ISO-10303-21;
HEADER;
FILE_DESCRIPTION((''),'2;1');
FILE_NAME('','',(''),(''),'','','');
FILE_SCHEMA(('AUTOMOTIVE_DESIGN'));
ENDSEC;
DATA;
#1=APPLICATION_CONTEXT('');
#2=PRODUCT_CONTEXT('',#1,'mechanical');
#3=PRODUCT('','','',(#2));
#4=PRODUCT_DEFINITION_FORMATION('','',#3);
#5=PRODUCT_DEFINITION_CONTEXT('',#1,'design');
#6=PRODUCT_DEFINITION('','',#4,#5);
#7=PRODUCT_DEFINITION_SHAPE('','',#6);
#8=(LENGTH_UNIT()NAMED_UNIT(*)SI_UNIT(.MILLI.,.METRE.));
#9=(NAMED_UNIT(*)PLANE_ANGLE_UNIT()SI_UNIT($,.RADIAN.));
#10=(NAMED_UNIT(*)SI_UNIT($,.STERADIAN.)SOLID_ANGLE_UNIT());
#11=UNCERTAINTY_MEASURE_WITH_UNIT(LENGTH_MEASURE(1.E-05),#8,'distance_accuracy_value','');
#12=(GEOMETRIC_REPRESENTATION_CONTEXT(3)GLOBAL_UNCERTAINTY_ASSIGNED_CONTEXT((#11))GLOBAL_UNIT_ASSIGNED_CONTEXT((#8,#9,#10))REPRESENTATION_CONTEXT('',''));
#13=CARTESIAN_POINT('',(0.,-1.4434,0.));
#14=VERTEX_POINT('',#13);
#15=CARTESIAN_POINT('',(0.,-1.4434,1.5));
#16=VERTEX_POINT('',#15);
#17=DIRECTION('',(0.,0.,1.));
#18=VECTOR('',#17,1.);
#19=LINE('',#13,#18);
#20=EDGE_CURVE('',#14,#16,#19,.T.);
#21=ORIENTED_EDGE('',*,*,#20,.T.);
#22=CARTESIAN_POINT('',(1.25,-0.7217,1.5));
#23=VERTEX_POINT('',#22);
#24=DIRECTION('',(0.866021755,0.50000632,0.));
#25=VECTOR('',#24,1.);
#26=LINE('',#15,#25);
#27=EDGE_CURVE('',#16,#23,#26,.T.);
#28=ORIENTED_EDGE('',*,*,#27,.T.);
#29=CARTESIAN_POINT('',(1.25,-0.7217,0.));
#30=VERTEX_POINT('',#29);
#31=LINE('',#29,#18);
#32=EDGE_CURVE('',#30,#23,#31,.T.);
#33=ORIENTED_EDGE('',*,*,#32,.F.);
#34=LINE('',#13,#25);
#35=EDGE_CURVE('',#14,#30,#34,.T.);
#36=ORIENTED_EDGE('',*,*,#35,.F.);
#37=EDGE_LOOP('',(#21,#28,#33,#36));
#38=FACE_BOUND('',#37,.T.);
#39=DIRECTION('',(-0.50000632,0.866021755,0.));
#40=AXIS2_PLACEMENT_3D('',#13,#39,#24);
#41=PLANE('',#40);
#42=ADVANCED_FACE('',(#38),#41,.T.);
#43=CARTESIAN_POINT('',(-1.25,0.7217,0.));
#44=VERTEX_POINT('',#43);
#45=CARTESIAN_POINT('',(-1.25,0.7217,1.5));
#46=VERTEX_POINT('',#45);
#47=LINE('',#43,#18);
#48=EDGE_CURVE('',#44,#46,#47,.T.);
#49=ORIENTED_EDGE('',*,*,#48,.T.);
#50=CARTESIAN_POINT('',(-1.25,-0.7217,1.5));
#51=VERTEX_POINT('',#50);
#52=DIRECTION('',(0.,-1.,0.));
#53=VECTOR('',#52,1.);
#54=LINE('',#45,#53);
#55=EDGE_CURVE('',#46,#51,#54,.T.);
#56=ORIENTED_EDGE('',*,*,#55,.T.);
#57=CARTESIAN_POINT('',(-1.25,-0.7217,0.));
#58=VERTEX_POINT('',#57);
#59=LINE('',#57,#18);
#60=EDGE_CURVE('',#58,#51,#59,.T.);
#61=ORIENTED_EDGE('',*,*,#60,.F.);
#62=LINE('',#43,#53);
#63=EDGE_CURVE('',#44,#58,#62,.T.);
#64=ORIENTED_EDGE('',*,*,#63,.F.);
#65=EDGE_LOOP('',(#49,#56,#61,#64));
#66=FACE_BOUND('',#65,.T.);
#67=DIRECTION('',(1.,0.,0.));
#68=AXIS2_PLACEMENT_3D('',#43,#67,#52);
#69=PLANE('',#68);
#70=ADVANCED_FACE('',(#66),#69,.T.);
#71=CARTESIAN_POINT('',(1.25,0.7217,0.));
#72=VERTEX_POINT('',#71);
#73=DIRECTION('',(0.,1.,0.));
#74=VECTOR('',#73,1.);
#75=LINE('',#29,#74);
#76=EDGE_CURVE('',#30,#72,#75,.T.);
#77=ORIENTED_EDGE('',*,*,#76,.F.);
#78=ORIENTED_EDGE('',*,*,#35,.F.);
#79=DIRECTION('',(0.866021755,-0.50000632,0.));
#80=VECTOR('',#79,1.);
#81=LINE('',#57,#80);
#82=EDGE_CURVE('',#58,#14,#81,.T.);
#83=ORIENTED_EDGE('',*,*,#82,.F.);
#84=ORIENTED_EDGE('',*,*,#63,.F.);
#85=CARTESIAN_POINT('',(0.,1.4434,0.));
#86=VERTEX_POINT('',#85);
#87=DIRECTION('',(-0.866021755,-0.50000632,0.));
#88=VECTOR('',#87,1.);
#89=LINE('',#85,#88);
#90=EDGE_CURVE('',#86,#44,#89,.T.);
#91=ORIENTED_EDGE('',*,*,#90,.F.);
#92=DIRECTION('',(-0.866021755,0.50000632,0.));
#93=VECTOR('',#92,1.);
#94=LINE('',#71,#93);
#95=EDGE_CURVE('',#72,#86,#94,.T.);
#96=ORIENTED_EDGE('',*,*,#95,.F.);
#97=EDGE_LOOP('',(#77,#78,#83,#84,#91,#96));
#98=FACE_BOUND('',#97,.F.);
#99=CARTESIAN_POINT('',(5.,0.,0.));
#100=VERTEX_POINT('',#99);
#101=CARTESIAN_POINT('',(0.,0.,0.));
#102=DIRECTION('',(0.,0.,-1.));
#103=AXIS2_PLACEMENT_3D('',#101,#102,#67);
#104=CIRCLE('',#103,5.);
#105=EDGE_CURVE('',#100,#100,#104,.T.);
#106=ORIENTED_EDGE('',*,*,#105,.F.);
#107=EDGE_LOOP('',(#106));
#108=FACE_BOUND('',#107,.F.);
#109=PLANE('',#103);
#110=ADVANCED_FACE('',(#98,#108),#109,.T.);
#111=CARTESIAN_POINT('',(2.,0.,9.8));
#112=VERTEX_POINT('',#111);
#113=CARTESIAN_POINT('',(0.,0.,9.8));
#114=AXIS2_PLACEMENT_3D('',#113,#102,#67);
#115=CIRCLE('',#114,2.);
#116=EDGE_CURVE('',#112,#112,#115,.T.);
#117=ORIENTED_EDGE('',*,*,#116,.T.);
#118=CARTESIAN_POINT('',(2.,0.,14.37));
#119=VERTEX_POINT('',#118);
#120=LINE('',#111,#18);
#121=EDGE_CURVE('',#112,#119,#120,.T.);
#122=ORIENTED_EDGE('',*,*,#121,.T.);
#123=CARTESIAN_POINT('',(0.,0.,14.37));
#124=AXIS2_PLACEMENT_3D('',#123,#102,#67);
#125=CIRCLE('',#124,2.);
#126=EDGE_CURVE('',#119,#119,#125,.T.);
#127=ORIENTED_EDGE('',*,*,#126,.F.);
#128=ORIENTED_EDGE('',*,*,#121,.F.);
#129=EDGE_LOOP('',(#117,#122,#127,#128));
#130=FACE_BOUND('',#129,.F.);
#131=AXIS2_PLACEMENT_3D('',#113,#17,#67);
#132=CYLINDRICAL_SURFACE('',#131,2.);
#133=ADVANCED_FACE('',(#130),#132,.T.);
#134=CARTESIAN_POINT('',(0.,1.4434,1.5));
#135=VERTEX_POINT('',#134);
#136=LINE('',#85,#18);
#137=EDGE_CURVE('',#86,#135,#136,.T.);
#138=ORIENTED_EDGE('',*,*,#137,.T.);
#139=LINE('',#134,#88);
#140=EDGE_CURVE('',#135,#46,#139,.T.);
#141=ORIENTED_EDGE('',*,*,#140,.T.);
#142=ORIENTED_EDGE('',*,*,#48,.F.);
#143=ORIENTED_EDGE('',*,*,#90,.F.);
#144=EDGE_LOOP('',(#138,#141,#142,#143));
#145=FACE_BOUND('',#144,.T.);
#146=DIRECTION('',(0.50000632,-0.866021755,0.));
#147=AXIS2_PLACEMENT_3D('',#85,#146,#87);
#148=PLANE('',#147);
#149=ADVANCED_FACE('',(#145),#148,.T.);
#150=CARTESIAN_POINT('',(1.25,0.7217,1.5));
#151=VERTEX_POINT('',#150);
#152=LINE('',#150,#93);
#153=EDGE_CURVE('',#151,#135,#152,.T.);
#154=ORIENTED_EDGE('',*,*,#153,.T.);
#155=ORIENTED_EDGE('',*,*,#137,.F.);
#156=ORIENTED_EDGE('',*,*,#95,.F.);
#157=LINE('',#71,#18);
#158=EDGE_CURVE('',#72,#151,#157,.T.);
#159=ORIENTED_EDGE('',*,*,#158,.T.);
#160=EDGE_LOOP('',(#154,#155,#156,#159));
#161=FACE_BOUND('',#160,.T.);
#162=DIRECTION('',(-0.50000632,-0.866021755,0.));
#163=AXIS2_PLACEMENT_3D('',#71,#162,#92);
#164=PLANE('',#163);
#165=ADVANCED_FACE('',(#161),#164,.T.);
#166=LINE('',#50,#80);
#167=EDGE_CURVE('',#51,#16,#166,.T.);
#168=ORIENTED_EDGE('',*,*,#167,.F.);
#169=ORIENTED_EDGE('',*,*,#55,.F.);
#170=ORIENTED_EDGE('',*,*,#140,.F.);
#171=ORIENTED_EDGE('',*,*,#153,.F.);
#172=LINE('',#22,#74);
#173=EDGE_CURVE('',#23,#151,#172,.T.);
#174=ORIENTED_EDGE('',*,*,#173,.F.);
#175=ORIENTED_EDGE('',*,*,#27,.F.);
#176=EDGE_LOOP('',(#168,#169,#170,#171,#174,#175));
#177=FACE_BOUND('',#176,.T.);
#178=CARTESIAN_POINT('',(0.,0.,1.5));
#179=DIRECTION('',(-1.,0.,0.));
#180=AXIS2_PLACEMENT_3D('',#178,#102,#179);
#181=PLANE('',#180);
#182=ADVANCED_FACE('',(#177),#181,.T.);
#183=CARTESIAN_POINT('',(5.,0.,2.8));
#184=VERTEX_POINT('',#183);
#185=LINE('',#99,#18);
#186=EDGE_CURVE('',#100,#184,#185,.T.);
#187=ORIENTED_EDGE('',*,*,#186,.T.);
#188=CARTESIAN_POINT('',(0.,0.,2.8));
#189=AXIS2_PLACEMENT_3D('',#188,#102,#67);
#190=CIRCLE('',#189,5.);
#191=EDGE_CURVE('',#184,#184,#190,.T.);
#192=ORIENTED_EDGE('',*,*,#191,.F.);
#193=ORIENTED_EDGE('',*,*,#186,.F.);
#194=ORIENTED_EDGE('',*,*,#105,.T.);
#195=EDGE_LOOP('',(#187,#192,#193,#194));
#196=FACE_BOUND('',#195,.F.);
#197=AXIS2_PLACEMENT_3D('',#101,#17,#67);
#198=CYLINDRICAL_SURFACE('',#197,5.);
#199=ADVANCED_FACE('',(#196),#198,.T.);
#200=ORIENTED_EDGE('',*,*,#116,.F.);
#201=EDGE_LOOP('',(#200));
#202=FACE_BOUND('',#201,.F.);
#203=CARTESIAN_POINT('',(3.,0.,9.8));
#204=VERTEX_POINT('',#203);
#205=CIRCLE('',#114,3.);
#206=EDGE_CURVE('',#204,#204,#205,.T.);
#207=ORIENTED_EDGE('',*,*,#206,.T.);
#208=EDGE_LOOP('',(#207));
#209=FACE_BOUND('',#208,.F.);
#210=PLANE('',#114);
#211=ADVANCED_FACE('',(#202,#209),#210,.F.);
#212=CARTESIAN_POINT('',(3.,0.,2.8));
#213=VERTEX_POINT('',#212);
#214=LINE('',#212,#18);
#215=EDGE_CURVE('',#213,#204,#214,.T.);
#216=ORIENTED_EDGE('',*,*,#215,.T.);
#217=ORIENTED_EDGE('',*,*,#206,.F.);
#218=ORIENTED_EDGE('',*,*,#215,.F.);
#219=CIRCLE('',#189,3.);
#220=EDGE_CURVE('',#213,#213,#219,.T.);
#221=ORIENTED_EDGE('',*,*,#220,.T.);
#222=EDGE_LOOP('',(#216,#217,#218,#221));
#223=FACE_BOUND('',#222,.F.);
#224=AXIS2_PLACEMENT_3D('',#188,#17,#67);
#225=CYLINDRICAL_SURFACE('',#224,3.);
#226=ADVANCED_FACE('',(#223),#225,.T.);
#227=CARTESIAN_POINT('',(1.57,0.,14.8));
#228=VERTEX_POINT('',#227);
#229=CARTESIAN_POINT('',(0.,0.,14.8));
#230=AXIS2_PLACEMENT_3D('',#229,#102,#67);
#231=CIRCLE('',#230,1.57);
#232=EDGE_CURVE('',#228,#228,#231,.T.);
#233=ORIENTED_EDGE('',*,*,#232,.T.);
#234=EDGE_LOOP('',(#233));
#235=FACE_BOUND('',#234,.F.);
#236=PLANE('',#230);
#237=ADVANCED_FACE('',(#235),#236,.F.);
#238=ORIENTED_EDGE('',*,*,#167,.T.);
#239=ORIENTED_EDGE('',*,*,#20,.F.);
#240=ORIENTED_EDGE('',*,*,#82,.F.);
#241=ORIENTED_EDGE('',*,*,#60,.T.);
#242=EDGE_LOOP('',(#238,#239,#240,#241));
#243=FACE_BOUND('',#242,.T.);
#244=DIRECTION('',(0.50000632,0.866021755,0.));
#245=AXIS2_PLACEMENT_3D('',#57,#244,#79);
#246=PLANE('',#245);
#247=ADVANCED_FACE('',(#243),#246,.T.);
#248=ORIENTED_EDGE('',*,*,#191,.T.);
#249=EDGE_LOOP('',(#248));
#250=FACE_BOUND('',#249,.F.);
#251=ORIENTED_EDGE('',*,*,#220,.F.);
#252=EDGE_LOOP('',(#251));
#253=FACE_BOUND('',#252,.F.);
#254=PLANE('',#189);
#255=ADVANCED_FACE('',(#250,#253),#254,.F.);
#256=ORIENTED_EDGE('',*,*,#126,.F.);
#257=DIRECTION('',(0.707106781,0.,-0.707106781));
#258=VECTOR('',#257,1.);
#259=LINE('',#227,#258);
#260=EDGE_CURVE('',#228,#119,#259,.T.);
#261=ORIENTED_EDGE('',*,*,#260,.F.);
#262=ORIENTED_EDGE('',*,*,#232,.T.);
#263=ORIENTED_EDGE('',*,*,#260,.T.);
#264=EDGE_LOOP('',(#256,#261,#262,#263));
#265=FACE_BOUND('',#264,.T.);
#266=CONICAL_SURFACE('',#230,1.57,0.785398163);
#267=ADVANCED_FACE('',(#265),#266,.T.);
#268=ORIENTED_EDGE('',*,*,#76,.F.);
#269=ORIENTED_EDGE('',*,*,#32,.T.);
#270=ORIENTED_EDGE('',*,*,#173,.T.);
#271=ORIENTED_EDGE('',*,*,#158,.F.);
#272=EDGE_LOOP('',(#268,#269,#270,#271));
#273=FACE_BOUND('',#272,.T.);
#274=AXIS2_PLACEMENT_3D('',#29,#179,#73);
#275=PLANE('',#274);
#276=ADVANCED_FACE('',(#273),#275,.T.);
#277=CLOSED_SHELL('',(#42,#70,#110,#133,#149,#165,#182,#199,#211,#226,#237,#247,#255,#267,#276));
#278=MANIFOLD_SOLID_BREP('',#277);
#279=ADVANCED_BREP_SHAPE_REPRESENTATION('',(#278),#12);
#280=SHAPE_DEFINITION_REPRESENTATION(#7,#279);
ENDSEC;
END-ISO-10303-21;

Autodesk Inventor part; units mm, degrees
ref_plane "YZ Plane" through (0, 0, 0) normal (1, 0, 0) x (0, 1, 0)
ref_plane "XZ Plane" through (0, 0, 0) normal (0, 1, 0) x (-1, 0, 0)
ref_plane "XY Plane" through (0, 0, 0) normal (0, 0, 1) x (1, 0, 0)
sketch "スケッチ1" plane through (0, 0, 0) normal (0, 1, 0) x (-1, 0, 0)
  line L0 (0, 0) -> (-5, 0)
  line L1 (-5, 0) -> (-5, 2.8)
  line L2 (-5, 2.8) -> (-3, 2.8)
  line L3 (-3, 2.8) -> (-3, 9.8)
  line L4 (-3, 9.8) -> (-2, 9.8)
  line L5 (-2, 9.8) -> (-2, 14.37)
  line L6 (-1.57, 14.8) -> (0, 14.8)
  line L7 (0, 14.8) -> (0, 0)
  line L8 (-1.57, 14.8) -> (-2, 14.37)
  point P0 (-2, 14.8)
  dimension "d0" = 5
  dimension "d1" = 7
  dimension "d2" = 2.8
  dimension "d3" = 0.43
  dimension "d4" = 0.43
  dimension "d5" = 4
  dimension "d6" = 10
  dimension "d7" = 6
revolve "回転1" add sketch "スケッチ1" angle 360 about axis through (0, 0, 14.8) along (0, 0, -1)
thread "ねじ1" size "M4x0.7" class "6g" standard "ANSI Metric M Profile" length 7.57 offset 1.2
sketch "スケッチ2" plane through (0, 0, 0) normal (0, 0, -1) x (-1, 0, 0)
  line L0 (0, -1.4434) -> (-1.25, -0.7217)
  line L1 (-1.25, -0.7217) -> (-1.25, 0.7217)
  line L2 (-1.25, 0.7217) -> (0, 1.4434)
  line L3 (0, 1.4434) -> (1.25, 0.7217)
  line L4 (1.25, 0.7217) -> (1.25, -0.7217)
  line L5 (1.25, -0.7217) -> (0, -1.4434)
  point P0 (0, 0)
  point P1 (0, 0)
  dimension "d11" = 2.5
extrude "押し出し1" cut sketch "スケッチ2" against normal blind 1.5
equation "\"d4\" = d3"
properties part number "DBTS4-7-5-DHC" material "ステンレス鋼 AISI 304"
